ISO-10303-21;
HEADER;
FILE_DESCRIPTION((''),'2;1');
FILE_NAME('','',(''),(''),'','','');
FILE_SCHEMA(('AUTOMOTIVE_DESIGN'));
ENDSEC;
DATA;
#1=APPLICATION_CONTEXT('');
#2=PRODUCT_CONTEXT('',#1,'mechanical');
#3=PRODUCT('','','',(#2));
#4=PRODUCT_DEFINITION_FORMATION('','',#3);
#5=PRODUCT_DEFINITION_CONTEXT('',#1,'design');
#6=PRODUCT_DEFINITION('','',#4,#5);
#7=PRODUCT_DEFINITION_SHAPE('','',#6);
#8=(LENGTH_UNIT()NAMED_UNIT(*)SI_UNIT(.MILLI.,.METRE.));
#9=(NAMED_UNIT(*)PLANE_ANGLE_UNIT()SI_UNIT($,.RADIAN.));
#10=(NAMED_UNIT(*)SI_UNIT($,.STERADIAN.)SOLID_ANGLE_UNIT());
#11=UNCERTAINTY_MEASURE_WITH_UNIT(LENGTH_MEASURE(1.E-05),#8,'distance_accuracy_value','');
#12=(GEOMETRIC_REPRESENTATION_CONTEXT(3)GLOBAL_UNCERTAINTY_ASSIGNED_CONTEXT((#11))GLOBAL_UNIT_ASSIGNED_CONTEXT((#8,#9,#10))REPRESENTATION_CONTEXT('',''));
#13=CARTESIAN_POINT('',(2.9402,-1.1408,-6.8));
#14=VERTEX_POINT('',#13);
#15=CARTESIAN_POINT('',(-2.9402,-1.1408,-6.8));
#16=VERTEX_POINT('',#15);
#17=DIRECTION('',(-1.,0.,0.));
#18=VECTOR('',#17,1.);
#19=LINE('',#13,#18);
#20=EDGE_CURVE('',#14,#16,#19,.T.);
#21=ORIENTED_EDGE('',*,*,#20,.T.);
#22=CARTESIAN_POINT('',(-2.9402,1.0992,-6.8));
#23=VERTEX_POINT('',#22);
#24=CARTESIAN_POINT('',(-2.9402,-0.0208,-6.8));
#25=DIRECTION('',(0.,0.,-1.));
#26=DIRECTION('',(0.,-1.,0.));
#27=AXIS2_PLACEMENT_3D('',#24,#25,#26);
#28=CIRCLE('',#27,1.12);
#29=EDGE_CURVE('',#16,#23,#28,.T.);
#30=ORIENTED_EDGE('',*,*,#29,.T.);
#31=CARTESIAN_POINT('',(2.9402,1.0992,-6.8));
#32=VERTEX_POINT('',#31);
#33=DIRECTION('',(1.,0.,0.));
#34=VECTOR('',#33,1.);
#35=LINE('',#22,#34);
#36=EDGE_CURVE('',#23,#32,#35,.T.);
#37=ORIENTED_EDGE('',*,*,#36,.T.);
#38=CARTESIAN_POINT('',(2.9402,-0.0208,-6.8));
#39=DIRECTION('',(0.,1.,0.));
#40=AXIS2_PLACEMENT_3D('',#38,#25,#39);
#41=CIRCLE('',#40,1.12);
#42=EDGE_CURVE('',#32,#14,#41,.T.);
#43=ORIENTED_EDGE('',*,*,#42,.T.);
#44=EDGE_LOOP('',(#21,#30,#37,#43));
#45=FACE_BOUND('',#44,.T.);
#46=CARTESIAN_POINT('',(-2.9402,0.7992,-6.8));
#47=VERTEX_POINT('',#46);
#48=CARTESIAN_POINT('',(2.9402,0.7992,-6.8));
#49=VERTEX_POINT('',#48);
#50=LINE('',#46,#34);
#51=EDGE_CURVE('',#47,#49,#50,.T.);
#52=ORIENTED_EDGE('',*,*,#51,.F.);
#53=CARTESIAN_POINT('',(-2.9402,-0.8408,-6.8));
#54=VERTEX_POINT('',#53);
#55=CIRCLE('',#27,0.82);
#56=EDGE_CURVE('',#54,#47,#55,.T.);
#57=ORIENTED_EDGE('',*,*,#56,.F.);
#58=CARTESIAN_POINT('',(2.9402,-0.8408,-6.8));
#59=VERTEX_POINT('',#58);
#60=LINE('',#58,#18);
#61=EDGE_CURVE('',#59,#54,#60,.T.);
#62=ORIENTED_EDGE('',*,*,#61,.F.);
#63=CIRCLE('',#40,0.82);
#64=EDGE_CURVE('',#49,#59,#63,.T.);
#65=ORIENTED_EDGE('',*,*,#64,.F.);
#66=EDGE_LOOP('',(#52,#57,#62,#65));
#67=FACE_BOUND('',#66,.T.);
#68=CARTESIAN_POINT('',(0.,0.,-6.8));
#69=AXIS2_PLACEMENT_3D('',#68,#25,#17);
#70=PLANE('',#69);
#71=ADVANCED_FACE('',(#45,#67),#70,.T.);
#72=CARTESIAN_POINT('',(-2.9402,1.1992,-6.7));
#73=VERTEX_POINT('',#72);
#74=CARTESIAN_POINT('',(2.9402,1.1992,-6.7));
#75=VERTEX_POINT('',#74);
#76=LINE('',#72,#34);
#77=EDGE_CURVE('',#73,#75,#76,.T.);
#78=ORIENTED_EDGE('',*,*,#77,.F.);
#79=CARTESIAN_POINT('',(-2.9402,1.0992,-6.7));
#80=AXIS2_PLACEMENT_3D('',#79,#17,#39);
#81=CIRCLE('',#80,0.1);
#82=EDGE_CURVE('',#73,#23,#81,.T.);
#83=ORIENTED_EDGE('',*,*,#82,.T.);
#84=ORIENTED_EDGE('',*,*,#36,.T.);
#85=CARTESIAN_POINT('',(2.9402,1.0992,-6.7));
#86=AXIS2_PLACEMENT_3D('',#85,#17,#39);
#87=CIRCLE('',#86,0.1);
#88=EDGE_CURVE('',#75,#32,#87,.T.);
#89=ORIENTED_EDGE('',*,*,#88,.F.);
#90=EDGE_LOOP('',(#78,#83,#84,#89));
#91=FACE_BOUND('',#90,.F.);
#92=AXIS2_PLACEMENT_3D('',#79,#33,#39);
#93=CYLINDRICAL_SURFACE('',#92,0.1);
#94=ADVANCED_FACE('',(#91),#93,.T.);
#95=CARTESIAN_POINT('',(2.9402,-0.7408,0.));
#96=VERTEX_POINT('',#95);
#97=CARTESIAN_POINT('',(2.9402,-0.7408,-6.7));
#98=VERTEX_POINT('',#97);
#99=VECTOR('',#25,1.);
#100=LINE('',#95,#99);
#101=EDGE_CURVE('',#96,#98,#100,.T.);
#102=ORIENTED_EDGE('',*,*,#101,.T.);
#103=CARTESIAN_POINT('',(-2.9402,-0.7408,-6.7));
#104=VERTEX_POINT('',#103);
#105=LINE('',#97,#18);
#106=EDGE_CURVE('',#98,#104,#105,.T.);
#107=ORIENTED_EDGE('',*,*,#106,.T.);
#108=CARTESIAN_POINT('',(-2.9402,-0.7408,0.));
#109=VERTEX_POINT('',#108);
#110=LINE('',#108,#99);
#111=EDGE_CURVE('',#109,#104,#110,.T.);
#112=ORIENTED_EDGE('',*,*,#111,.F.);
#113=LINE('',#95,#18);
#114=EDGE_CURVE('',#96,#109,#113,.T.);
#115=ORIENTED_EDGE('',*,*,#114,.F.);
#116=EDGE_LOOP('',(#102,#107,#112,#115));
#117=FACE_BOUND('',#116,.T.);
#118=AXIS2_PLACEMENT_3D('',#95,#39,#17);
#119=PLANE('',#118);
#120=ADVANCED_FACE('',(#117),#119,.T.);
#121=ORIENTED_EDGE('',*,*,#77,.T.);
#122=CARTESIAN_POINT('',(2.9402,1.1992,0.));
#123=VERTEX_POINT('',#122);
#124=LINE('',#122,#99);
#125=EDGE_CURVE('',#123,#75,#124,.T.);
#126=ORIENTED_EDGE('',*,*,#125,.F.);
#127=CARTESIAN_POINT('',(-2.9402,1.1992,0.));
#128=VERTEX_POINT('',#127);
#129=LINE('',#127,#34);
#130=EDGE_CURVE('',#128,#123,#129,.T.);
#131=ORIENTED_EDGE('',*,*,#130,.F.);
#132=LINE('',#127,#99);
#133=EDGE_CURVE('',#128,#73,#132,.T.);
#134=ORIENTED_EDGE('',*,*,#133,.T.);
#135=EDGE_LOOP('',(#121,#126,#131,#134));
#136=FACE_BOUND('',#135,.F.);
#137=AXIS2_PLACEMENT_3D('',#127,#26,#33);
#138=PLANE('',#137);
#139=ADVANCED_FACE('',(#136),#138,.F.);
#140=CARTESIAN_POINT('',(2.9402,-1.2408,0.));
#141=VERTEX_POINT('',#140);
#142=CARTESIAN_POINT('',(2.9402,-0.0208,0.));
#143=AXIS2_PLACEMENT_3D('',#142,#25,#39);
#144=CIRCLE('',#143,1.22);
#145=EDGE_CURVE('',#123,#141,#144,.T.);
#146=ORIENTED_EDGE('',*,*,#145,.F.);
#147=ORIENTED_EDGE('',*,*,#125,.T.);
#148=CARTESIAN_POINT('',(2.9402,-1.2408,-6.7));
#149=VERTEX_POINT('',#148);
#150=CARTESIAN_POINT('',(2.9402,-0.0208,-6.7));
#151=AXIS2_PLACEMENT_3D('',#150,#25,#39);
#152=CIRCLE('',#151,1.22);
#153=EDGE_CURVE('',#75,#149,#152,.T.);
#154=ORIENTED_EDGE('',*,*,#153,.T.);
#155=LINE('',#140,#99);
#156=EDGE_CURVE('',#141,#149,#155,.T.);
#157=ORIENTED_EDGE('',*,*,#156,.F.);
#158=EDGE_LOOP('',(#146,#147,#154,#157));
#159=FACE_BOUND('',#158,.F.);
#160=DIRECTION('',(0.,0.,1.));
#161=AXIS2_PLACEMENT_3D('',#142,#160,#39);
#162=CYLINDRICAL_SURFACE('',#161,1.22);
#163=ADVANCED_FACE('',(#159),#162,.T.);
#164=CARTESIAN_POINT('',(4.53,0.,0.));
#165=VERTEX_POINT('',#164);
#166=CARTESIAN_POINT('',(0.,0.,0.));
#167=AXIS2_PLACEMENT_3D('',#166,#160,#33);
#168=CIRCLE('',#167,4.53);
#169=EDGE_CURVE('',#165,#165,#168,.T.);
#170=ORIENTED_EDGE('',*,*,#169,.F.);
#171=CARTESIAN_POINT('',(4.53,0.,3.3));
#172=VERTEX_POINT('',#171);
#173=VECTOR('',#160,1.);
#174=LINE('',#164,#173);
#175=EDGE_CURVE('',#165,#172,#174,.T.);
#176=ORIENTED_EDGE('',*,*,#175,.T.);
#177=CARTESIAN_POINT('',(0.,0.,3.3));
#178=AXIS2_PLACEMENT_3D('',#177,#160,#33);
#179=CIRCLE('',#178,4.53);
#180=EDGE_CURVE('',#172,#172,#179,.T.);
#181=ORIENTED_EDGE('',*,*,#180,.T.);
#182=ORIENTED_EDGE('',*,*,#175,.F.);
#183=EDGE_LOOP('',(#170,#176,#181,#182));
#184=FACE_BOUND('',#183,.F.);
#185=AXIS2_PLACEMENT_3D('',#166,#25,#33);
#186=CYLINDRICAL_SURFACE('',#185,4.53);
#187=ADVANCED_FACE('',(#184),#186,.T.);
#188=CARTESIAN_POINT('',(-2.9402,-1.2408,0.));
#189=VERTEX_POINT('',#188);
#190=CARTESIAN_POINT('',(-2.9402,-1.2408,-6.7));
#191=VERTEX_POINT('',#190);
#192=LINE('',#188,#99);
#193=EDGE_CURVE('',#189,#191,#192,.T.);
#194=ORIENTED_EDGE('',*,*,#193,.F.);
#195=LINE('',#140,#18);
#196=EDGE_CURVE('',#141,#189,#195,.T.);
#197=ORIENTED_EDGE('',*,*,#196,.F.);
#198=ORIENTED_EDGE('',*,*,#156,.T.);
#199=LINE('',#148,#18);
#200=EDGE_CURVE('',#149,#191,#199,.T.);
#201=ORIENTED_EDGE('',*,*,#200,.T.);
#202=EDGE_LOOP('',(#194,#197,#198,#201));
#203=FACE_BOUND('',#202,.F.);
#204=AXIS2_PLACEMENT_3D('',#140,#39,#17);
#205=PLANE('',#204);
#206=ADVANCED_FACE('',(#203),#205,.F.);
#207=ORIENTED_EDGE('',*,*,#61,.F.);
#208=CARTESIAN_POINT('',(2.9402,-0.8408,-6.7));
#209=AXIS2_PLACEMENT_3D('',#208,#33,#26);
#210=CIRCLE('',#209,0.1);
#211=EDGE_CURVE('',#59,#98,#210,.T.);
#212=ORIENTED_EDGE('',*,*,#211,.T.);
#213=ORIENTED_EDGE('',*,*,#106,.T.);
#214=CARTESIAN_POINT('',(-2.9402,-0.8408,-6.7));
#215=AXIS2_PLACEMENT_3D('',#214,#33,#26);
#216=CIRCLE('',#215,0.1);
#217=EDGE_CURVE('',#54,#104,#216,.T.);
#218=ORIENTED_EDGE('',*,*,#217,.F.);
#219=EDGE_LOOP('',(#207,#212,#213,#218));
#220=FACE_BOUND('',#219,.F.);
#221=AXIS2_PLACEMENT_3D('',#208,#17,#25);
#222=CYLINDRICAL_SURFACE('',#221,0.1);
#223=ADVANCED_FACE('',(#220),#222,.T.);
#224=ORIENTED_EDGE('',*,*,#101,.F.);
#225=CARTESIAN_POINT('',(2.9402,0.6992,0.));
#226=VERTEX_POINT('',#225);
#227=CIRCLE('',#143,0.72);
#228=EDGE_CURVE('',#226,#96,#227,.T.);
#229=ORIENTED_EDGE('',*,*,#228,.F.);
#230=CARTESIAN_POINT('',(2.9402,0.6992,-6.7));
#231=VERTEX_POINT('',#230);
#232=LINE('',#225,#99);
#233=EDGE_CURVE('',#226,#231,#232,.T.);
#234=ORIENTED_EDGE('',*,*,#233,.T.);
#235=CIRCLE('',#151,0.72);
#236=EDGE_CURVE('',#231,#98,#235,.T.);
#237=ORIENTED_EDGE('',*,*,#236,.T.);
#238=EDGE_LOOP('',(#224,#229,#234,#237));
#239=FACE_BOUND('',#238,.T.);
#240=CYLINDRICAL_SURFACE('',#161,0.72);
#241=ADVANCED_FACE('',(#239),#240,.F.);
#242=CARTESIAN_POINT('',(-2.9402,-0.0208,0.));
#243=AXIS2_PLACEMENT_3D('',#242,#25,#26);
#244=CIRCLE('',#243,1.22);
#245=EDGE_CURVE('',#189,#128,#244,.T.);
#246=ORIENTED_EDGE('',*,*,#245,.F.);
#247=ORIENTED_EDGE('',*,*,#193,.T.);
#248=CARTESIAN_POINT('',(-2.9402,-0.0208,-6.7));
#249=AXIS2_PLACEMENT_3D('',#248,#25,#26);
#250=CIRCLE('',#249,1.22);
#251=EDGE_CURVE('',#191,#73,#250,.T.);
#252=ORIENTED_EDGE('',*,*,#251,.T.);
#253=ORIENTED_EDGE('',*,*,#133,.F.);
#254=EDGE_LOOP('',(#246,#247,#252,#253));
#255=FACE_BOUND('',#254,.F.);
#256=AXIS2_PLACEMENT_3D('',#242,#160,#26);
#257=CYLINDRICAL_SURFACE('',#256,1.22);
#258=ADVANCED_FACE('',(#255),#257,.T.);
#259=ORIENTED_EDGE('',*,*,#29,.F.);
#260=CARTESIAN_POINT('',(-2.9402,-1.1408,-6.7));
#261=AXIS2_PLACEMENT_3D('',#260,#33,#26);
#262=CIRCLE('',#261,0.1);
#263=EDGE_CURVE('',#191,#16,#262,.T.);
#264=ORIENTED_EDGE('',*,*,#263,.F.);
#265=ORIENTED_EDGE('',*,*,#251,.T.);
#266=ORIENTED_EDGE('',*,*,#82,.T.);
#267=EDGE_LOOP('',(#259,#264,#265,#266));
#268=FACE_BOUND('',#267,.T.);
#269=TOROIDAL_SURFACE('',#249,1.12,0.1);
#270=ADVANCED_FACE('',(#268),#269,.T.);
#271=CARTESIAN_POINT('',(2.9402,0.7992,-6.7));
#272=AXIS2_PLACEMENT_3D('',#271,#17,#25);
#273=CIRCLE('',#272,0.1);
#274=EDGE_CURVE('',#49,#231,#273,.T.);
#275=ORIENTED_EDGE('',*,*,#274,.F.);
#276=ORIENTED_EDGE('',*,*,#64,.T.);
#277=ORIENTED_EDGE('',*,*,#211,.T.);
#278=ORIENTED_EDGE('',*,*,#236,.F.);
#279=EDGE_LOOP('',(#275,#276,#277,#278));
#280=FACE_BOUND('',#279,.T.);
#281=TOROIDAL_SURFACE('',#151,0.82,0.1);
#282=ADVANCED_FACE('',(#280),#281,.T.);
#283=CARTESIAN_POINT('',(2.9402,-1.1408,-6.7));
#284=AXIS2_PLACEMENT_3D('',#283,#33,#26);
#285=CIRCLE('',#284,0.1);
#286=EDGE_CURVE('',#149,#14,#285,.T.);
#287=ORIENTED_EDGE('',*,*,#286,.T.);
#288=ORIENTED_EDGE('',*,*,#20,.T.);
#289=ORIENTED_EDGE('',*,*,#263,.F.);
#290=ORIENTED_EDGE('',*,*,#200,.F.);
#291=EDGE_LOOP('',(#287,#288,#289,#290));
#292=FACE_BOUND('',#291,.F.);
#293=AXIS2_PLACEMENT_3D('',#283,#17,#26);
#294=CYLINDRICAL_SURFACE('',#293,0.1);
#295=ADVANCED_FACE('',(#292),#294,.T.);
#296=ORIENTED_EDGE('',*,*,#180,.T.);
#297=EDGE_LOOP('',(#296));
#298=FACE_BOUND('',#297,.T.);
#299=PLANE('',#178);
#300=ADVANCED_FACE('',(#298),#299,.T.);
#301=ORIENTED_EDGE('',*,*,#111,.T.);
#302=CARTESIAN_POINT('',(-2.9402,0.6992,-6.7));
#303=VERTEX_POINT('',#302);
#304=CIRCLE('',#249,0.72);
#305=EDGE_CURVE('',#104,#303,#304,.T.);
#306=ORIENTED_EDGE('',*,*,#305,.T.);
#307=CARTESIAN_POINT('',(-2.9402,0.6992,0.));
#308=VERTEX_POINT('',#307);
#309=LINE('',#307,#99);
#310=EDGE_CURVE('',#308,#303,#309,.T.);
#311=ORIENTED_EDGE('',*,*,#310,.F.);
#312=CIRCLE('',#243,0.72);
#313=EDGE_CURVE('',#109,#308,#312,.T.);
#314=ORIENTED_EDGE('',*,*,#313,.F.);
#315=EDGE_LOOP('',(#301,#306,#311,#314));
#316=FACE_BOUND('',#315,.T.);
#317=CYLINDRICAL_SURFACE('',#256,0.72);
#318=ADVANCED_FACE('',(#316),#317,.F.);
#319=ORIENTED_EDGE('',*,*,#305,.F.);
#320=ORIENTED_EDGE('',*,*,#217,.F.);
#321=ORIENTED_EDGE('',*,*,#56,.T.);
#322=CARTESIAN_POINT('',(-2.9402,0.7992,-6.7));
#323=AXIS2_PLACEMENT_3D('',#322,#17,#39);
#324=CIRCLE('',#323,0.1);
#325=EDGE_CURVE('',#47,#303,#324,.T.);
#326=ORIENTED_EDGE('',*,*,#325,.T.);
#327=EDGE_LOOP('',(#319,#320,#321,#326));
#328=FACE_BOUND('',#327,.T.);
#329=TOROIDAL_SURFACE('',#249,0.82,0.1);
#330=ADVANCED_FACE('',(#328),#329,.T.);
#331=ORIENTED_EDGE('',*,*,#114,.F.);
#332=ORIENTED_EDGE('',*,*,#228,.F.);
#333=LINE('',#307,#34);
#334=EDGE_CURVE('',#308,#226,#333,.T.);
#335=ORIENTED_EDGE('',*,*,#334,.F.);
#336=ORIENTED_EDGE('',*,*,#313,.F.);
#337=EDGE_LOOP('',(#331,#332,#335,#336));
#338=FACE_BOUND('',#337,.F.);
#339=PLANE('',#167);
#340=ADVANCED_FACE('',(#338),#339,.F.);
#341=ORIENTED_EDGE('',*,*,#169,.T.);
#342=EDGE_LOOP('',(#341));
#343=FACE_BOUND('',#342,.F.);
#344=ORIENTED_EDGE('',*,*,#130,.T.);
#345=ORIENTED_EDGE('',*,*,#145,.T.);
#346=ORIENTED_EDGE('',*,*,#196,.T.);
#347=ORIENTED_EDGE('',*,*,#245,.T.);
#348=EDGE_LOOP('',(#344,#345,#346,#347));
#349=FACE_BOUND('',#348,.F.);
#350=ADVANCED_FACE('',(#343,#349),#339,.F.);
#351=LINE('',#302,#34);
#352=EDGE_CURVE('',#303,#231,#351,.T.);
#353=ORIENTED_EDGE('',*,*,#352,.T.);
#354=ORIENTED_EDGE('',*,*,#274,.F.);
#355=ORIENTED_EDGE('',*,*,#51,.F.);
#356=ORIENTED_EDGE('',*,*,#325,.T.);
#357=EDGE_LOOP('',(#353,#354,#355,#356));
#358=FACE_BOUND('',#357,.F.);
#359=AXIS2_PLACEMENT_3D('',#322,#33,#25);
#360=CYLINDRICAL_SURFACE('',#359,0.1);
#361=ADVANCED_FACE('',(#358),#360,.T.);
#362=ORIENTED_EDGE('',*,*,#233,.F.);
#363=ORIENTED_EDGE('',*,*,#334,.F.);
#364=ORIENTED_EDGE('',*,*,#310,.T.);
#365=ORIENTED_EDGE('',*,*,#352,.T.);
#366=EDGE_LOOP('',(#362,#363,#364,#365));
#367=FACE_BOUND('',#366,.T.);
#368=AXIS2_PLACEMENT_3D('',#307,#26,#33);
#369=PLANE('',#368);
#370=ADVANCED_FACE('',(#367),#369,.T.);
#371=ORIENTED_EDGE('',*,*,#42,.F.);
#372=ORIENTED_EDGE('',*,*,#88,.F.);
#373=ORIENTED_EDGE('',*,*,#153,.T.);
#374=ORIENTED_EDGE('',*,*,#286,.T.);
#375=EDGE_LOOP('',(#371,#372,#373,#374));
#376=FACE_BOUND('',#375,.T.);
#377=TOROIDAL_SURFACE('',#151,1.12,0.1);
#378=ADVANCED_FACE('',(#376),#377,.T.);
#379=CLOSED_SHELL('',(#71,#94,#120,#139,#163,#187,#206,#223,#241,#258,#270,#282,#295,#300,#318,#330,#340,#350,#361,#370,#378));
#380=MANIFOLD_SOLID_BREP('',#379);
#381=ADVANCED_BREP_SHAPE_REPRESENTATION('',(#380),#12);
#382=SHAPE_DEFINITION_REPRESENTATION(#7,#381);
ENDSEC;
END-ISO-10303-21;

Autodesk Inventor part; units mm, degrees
ref_plane "YZ Plane" through (0, 0, 0) normal (1, 0, 0) x (0, 1, 0)
ref_plane "XZ Plane" through (0, 0, 0) normal (0, 1, 0) x (-1, 0, 0)
ref_plane "XY Plane" through (0, 0, 0) normal (0, 0, 1) x (1, 0, 0)
sketch "草圖1" plane through (0, 0, 0) normal (0, 0, 1) x (1, 0, 0)
  circle A0 centre (0, 0) radius 4.53
  dimension "d0" = 9.06
extrude "擠出1" add sketch "草圖1" along normal blind 3.3
sketch "草圖2" plane through (0, 0, 0) normal (0, 0, -1) x (-1, 0, 0)
  line L0 (2.9402, 1.1992) -> (-2.9402, 1.1992)
  line L1 (-2.9402, -1.2408) -> (2.9402, -1.2408)
  arc A0 (-2.9402, 1.1992) -> (-2.9402, -1.2408) centre (-2.9402, -0.0208) ccw
  arc A1 (2.9402, -1.2408) -> (2.9402, 1.1992) centre (2.9402, -0.0208) ccw
  line L2 (-4.16, 0) -> (4.16, 0) construction
  arc A2 (2.9402, -0.7408) -> (2.9402, 0.6992) centre (2.9402, -0.0208) ccw
  line L3 (2.9402, 0.6992) -> (-2.9402, 0.6992)
  arc A3 (-2.9402, 0.6992) -> (-2.9402, -0.7408) centre (-2.9402, -0.0208) ccw
  line L4 (-2.9402, -0.7408) -> (2.9402, -0.7408)
  point P0 (0, 0)
  point P1 (0, 0)
  dimension "d3" = 8.32
  dimension "d5" = 2.44
  dimension "d6" = 0.5
extrude "擠出2" add sketch "草圖2" along normal blind 6.8
fillet "圓角1" radius 0.1 8 edges at (4.1602, -0.0208, -6.8) (0, -1.2408, -6.8) (-4.1602, -0.0208, -6.8) (0, 1.1992, -6.8) (-3.6602, -0.0208, -6.8) (0, -0.7408, -6.8) (3.6602, -0.0208, -6.8) (0, 0.6992, -6.8)
properties part number "磁吸頭"
